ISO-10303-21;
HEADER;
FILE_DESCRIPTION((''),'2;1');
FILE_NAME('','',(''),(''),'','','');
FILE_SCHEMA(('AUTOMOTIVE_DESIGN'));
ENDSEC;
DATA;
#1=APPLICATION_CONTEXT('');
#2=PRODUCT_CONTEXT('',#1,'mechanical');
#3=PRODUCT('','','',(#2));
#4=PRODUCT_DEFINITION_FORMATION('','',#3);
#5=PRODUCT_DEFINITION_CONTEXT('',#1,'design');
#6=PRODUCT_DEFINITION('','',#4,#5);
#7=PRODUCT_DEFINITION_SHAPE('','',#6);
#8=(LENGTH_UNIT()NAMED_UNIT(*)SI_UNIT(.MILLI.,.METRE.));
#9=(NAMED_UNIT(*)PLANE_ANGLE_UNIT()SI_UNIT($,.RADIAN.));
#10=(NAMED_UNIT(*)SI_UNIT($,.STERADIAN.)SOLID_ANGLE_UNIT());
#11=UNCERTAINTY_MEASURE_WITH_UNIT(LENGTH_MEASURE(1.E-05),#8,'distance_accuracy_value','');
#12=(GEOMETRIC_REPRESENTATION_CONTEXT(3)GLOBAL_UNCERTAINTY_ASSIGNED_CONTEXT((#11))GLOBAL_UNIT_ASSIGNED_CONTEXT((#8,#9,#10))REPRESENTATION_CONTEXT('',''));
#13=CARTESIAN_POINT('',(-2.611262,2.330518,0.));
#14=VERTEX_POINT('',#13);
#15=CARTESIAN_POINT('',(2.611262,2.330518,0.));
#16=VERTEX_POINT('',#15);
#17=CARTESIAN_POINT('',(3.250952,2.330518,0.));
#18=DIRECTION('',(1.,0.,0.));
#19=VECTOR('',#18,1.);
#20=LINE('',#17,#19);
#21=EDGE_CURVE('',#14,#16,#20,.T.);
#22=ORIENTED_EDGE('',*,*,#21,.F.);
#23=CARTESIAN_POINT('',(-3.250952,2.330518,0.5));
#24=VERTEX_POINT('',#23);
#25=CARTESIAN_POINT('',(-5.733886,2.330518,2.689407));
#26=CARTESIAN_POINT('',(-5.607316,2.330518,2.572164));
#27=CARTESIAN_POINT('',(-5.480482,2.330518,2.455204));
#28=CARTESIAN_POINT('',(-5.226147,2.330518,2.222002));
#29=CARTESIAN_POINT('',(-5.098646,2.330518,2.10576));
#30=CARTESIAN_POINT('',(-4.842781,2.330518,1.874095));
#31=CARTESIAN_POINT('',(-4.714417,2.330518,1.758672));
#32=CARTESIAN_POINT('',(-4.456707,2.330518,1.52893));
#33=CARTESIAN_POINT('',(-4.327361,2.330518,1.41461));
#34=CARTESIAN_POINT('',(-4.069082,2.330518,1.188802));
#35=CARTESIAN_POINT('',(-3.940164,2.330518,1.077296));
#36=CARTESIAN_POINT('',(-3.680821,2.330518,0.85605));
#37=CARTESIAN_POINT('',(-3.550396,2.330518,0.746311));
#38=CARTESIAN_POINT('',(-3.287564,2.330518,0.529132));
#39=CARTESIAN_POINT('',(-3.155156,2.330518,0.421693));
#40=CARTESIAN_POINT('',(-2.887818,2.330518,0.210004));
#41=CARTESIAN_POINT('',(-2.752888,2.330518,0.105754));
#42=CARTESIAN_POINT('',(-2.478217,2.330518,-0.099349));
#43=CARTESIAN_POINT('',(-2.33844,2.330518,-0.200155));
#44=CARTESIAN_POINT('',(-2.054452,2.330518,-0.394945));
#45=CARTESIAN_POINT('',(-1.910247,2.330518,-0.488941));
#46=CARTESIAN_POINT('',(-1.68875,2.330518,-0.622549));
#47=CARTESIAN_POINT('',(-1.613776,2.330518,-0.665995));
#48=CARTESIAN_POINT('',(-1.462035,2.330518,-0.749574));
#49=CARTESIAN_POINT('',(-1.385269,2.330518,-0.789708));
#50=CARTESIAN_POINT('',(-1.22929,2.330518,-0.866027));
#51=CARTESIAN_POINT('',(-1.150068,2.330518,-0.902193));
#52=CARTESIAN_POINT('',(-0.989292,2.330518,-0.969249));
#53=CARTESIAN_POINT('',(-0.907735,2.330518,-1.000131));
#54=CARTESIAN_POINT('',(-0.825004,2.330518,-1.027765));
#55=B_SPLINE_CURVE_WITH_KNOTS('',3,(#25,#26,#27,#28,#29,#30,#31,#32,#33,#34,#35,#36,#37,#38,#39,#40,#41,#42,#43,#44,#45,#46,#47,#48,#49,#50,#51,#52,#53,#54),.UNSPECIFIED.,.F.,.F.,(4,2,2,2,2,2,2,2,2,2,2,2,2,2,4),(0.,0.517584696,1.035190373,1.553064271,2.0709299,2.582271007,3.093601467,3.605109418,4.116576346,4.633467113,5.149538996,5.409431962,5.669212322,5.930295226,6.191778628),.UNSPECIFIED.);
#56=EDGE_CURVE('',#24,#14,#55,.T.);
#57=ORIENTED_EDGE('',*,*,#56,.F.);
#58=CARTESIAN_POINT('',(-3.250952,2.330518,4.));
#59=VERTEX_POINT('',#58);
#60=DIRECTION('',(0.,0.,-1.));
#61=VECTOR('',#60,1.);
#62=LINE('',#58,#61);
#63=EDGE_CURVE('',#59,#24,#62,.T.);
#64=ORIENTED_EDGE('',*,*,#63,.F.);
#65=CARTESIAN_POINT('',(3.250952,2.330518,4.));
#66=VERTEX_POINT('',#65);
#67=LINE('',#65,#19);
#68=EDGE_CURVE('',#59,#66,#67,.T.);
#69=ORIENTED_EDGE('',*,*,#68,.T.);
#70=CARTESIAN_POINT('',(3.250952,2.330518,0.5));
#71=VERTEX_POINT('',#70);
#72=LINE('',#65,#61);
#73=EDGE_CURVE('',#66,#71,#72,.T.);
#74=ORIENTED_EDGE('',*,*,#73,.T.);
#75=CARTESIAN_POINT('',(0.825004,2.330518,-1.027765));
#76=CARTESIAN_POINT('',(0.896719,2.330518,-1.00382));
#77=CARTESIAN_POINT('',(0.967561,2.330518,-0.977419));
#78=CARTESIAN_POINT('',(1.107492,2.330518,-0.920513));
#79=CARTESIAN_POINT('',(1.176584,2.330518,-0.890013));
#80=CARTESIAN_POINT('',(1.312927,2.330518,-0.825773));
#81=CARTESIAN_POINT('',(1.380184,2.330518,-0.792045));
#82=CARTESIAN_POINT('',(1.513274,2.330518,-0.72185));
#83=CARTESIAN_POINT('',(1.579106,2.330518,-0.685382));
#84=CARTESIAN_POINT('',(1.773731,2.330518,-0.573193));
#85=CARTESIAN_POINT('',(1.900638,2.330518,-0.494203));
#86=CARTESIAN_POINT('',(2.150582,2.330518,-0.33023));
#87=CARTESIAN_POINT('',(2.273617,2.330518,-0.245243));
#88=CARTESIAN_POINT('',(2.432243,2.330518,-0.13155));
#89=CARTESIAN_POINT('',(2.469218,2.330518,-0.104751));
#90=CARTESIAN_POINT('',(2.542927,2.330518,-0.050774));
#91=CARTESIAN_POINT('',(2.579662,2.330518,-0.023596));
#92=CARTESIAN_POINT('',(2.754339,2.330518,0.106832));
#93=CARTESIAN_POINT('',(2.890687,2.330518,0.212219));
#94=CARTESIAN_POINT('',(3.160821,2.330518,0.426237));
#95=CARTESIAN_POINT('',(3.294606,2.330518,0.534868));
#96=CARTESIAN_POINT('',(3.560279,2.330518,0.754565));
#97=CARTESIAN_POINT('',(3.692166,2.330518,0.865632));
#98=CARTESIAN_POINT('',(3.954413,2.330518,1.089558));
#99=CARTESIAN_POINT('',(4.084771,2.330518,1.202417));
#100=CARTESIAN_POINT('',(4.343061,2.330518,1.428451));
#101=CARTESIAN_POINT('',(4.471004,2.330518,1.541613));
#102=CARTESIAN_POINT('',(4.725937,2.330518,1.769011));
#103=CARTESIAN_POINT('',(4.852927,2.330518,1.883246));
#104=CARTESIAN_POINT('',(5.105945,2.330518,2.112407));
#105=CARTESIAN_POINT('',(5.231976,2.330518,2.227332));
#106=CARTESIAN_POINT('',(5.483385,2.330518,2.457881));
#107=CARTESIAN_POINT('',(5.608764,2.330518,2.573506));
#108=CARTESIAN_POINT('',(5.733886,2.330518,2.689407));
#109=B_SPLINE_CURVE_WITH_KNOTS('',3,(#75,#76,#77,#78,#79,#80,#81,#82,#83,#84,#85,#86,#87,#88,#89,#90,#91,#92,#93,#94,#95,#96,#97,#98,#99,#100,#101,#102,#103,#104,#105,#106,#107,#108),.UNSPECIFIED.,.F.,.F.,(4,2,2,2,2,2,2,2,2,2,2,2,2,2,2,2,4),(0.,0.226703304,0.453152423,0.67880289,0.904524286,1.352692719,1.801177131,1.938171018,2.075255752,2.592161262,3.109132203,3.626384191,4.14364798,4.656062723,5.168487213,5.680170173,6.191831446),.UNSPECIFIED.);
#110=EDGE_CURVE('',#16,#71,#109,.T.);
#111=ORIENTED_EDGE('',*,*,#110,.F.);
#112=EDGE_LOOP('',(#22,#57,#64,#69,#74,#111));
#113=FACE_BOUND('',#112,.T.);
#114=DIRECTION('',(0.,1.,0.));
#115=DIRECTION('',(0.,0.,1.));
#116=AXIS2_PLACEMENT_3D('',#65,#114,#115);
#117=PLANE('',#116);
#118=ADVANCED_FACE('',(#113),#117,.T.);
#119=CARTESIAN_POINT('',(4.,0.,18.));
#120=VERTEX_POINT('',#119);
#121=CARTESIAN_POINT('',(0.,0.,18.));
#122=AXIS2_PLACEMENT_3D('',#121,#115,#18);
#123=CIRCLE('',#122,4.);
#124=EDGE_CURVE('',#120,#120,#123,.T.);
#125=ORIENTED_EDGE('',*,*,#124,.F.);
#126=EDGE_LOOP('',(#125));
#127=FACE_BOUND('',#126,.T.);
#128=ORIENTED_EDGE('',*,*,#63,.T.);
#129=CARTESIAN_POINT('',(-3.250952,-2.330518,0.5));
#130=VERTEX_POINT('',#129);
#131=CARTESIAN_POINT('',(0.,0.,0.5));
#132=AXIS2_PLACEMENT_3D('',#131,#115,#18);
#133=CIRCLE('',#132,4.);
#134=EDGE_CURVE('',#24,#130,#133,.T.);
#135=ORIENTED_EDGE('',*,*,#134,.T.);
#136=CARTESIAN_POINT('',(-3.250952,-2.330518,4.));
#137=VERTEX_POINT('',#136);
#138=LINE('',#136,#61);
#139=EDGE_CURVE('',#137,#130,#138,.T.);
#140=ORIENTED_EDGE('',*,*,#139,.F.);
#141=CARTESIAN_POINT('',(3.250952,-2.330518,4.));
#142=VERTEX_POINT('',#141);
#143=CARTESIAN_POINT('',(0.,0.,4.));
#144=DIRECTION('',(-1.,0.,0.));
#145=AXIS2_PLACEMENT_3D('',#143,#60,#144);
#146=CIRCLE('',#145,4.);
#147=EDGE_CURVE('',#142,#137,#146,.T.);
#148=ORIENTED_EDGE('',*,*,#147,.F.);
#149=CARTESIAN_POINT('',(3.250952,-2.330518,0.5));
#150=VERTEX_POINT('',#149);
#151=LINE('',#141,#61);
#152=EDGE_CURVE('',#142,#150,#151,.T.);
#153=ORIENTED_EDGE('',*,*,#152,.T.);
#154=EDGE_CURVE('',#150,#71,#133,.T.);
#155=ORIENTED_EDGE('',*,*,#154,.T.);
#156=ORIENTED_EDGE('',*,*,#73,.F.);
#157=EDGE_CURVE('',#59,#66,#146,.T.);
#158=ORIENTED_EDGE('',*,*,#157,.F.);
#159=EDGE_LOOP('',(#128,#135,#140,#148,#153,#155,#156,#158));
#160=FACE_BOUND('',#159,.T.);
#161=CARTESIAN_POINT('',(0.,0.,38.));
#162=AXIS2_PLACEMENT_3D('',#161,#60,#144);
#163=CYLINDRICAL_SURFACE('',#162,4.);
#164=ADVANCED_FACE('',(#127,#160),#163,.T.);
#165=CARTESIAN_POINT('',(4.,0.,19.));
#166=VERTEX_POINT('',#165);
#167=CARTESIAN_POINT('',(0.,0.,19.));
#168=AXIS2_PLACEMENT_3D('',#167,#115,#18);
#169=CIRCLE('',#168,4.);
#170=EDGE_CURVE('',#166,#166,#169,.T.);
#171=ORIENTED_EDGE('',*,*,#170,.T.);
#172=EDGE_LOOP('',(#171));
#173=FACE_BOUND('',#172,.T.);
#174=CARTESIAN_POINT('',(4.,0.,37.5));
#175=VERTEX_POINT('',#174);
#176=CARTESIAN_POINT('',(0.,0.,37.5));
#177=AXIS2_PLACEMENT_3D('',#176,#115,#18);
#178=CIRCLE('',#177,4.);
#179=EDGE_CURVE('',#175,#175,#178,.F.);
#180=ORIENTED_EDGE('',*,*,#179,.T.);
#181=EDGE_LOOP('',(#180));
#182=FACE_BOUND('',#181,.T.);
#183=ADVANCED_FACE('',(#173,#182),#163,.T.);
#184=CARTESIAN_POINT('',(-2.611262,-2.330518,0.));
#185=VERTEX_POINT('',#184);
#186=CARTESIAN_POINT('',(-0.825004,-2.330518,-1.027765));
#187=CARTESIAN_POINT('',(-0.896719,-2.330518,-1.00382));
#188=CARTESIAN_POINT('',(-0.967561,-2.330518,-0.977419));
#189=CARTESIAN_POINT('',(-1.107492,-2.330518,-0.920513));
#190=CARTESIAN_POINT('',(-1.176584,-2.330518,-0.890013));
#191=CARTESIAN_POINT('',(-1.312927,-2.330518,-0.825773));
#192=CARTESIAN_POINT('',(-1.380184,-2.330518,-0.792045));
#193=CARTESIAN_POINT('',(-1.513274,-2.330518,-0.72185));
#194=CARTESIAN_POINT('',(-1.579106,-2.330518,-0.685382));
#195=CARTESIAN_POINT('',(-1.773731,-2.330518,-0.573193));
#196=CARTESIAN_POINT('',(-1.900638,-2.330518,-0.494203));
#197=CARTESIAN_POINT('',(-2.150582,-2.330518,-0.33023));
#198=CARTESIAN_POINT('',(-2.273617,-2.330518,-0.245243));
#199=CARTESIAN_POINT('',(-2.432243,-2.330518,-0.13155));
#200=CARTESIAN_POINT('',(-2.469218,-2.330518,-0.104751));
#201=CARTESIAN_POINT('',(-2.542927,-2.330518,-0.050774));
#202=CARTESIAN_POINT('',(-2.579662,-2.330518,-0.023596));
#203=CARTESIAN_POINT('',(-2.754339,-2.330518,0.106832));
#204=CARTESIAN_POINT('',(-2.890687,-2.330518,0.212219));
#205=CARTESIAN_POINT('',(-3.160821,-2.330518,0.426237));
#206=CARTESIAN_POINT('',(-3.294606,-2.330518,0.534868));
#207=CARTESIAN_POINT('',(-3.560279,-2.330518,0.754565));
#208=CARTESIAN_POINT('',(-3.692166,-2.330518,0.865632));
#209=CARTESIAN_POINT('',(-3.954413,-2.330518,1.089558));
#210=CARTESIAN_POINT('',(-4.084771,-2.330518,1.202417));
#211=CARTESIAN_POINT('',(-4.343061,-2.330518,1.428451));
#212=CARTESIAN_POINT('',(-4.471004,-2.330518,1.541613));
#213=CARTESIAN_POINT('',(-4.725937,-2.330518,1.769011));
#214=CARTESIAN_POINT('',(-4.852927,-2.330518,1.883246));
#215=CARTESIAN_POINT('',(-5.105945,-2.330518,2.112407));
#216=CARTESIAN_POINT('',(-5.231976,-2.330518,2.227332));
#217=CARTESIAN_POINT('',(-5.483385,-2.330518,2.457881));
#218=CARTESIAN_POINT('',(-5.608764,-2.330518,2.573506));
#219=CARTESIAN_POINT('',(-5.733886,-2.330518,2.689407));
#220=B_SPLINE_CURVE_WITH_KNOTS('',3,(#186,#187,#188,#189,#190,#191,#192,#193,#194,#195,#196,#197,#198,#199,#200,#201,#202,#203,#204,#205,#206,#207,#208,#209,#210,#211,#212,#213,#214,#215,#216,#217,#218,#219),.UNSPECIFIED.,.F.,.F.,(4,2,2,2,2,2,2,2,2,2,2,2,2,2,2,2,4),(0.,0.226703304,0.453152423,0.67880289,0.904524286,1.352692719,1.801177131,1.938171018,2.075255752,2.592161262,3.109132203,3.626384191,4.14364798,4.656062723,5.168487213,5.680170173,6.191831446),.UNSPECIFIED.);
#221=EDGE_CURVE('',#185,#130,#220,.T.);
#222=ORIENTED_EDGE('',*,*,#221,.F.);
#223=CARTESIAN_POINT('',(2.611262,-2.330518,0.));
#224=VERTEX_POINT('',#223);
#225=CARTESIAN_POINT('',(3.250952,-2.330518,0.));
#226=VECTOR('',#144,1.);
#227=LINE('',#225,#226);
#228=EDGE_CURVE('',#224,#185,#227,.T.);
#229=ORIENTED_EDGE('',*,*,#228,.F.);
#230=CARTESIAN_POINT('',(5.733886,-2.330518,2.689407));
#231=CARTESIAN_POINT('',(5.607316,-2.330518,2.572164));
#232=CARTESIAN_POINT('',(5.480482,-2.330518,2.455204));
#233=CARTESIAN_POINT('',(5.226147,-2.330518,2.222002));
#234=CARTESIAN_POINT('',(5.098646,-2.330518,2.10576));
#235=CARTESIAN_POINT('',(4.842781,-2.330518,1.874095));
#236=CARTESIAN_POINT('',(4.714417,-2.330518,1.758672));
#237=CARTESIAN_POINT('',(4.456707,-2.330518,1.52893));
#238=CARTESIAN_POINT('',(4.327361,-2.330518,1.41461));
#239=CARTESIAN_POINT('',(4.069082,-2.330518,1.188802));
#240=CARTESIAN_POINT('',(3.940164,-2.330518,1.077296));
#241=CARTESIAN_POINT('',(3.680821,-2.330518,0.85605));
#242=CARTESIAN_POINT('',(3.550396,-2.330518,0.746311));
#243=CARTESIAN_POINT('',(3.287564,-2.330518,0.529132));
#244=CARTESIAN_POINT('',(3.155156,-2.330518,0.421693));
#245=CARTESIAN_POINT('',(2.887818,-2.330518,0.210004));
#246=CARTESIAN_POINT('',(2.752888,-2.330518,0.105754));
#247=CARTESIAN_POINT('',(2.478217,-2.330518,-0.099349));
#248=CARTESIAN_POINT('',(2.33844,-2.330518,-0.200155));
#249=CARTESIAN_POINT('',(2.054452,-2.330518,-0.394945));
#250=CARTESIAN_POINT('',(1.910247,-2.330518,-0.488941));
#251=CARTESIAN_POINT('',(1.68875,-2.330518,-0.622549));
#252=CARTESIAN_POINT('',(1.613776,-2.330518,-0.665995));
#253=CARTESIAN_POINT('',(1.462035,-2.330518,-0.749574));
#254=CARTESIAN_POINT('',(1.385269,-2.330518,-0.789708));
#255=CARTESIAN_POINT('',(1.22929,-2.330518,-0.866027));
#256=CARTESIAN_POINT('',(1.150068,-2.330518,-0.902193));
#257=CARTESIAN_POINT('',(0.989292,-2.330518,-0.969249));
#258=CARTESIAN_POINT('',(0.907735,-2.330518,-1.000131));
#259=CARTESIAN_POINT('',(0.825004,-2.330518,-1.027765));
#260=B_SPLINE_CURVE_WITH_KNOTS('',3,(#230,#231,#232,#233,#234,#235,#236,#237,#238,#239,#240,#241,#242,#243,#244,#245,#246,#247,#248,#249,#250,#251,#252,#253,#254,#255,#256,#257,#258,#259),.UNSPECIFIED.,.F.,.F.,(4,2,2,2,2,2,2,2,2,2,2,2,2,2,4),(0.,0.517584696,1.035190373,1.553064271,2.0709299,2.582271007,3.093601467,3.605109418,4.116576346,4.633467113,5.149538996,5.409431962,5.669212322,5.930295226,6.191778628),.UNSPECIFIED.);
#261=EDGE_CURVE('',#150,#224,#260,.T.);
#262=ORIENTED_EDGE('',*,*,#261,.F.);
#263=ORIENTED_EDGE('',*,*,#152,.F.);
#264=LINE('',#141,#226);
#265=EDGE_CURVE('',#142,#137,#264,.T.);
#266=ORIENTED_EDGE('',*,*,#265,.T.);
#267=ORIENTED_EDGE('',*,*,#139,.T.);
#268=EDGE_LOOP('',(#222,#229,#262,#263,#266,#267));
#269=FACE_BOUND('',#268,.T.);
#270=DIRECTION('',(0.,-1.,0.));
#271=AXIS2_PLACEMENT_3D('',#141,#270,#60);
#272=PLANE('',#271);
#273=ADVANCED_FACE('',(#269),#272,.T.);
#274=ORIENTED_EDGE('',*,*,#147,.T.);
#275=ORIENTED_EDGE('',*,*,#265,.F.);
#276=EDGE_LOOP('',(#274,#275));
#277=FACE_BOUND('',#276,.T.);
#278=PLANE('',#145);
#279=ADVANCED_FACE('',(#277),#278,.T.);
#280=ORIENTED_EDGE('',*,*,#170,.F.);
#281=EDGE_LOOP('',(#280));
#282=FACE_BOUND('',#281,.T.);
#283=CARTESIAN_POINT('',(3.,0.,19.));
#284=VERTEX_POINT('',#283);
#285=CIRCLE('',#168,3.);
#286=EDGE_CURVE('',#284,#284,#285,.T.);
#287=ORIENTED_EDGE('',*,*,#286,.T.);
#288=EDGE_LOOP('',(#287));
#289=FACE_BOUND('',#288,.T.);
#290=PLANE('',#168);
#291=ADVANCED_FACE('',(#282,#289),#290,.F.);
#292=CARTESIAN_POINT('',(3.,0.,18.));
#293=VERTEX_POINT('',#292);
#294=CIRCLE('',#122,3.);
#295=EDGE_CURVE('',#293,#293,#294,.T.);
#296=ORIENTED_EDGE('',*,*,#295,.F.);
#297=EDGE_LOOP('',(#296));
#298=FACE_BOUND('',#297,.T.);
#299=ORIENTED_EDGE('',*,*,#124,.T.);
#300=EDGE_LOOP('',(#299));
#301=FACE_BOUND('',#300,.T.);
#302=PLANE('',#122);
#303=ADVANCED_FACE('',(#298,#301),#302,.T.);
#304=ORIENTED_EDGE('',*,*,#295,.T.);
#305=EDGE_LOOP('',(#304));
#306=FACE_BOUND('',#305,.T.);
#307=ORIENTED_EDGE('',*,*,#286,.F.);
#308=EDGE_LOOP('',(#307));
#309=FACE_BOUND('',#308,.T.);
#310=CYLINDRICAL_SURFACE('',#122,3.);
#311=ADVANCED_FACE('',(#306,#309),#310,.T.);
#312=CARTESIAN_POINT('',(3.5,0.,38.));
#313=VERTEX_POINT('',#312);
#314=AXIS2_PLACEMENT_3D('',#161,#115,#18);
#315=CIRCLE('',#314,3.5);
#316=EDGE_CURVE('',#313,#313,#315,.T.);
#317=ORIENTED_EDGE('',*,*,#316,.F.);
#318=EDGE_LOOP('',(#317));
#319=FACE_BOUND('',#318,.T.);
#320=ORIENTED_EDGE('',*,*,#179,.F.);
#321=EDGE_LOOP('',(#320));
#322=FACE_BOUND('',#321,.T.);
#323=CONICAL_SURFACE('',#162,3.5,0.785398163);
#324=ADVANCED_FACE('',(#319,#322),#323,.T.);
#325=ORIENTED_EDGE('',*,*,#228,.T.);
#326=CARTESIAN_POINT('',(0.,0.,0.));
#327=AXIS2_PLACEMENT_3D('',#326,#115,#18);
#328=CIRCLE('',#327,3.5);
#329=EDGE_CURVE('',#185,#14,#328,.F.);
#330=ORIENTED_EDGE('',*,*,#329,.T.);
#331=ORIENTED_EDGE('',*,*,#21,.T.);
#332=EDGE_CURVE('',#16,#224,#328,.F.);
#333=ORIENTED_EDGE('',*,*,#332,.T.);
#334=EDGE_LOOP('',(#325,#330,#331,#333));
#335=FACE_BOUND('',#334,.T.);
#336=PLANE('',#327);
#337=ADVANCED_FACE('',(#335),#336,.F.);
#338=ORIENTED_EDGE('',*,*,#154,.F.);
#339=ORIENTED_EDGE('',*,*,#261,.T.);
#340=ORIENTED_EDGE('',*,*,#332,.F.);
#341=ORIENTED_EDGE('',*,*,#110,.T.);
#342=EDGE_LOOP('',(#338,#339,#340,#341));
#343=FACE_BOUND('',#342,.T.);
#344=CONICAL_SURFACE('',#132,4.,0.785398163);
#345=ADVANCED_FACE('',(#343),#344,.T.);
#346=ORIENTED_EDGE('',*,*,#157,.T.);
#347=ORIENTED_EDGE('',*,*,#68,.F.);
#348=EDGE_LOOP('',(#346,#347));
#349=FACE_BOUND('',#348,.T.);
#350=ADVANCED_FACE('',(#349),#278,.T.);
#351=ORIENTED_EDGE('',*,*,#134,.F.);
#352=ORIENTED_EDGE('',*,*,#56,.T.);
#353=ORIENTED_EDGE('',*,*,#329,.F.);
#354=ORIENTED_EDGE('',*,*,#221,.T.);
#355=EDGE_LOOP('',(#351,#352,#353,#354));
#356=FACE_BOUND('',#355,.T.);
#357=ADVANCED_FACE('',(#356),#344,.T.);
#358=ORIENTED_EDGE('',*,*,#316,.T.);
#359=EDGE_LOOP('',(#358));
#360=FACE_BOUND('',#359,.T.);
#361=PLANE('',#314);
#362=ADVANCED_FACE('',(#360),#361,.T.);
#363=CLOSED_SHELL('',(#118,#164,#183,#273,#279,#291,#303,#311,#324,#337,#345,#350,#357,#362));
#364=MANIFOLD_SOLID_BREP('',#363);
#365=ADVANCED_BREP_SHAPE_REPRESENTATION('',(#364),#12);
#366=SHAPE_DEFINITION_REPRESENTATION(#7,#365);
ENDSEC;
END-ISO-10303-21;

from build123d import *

# Parameters (mm, degrees)
ESQUISSE1_R             = 4
BASE_EXTRUSION_DEPTH    = 38
CHANFREIN1_SIZE         = 0.5
ESQUISSE2_OUTSIDE_W     = 17.93
ESQUISSE2_OUTSIDE_H     = 17.93
ESQUISSE2_OUTSIDE_R     = 3
ENL_V_MAT_EXTRU_1_DEPTH = 1
ESQUISSE3_OUTSIDE_W     = 17.93
ESQUISSE3_OUTSIDE_H     = 17.93
ENL_V_MAT_EXTRU_2_DEPTH = 4


with BuildPart() as part:
    # Esquisse1 → Base-Extrusion (new body)
    with BuildSketch(Plane.XY):
        with Locations(Location((0, 0, 0), (0, 0, 215.635694855))):
            Circle(ESQUISSE1_R)
    extrude(amount=BASE_EXTRUSION_DEPTH)

    # Chanfrein1
    chanfrein1_edges = [part.edges().sort_by_distance(p)[0] for p in [
        (3.25095178, 2.330517652, 0),
        (3.25095178, 2.330517652, 38),
    ]]
    chamfer(chanfrein1_edges, length=CHANFREIN1_SIZE)

    # Esquisse2 outside → Enlèv. mat.-Extru.1 (cut)
    with BuildSketch(Plane.XY.offset(19)):
        Rectangle(ESQUISSE2_OUTSIDE_W, ESQUISSE2_OUTSIDE_H)
        Circle(ESQUISSE2_OUTSIDE_R, mode=Mode.SUBTRACT)
    extrude(amount=-ENL_V_MAT_EXTRU_1_DEPTH, mode=Mode.SUBTRACT)

    # Esquisse3 outside → Enlèv. mat.-Extru.2 (cut)
    with BuildSketch(Plane(origin=(0, 0, 0), x_dir=(-1, 0, 0), z_dir=(0, 0, -1))):
        Rectangle(ESQUISSE3_OUTSIDE_W, ESQUISSE3_OUTSIDE_H)
        with BuildLine():
            Line((-3.25095178, 2.330517652), (3.25095178, 2.330517652))
            ThreePointArc((3.25095178, 2.330517652), (4, 0), (3.25095178, -2.330517652))
            Line((3.25095178, -2.330517652), (-3.25095178, -2.330517652))
            ThreePointArc((-3.25095178, -2.330517652), (-4, 0), (-3.25095178, 2.330517652))
        make_face(mode=Mode.SUBTRACT)
    extrude(amount=-ENL_V_MAT_EXTRU_2_DEPTH, mode=Mode.SUBTRACT)


solid = part.part
